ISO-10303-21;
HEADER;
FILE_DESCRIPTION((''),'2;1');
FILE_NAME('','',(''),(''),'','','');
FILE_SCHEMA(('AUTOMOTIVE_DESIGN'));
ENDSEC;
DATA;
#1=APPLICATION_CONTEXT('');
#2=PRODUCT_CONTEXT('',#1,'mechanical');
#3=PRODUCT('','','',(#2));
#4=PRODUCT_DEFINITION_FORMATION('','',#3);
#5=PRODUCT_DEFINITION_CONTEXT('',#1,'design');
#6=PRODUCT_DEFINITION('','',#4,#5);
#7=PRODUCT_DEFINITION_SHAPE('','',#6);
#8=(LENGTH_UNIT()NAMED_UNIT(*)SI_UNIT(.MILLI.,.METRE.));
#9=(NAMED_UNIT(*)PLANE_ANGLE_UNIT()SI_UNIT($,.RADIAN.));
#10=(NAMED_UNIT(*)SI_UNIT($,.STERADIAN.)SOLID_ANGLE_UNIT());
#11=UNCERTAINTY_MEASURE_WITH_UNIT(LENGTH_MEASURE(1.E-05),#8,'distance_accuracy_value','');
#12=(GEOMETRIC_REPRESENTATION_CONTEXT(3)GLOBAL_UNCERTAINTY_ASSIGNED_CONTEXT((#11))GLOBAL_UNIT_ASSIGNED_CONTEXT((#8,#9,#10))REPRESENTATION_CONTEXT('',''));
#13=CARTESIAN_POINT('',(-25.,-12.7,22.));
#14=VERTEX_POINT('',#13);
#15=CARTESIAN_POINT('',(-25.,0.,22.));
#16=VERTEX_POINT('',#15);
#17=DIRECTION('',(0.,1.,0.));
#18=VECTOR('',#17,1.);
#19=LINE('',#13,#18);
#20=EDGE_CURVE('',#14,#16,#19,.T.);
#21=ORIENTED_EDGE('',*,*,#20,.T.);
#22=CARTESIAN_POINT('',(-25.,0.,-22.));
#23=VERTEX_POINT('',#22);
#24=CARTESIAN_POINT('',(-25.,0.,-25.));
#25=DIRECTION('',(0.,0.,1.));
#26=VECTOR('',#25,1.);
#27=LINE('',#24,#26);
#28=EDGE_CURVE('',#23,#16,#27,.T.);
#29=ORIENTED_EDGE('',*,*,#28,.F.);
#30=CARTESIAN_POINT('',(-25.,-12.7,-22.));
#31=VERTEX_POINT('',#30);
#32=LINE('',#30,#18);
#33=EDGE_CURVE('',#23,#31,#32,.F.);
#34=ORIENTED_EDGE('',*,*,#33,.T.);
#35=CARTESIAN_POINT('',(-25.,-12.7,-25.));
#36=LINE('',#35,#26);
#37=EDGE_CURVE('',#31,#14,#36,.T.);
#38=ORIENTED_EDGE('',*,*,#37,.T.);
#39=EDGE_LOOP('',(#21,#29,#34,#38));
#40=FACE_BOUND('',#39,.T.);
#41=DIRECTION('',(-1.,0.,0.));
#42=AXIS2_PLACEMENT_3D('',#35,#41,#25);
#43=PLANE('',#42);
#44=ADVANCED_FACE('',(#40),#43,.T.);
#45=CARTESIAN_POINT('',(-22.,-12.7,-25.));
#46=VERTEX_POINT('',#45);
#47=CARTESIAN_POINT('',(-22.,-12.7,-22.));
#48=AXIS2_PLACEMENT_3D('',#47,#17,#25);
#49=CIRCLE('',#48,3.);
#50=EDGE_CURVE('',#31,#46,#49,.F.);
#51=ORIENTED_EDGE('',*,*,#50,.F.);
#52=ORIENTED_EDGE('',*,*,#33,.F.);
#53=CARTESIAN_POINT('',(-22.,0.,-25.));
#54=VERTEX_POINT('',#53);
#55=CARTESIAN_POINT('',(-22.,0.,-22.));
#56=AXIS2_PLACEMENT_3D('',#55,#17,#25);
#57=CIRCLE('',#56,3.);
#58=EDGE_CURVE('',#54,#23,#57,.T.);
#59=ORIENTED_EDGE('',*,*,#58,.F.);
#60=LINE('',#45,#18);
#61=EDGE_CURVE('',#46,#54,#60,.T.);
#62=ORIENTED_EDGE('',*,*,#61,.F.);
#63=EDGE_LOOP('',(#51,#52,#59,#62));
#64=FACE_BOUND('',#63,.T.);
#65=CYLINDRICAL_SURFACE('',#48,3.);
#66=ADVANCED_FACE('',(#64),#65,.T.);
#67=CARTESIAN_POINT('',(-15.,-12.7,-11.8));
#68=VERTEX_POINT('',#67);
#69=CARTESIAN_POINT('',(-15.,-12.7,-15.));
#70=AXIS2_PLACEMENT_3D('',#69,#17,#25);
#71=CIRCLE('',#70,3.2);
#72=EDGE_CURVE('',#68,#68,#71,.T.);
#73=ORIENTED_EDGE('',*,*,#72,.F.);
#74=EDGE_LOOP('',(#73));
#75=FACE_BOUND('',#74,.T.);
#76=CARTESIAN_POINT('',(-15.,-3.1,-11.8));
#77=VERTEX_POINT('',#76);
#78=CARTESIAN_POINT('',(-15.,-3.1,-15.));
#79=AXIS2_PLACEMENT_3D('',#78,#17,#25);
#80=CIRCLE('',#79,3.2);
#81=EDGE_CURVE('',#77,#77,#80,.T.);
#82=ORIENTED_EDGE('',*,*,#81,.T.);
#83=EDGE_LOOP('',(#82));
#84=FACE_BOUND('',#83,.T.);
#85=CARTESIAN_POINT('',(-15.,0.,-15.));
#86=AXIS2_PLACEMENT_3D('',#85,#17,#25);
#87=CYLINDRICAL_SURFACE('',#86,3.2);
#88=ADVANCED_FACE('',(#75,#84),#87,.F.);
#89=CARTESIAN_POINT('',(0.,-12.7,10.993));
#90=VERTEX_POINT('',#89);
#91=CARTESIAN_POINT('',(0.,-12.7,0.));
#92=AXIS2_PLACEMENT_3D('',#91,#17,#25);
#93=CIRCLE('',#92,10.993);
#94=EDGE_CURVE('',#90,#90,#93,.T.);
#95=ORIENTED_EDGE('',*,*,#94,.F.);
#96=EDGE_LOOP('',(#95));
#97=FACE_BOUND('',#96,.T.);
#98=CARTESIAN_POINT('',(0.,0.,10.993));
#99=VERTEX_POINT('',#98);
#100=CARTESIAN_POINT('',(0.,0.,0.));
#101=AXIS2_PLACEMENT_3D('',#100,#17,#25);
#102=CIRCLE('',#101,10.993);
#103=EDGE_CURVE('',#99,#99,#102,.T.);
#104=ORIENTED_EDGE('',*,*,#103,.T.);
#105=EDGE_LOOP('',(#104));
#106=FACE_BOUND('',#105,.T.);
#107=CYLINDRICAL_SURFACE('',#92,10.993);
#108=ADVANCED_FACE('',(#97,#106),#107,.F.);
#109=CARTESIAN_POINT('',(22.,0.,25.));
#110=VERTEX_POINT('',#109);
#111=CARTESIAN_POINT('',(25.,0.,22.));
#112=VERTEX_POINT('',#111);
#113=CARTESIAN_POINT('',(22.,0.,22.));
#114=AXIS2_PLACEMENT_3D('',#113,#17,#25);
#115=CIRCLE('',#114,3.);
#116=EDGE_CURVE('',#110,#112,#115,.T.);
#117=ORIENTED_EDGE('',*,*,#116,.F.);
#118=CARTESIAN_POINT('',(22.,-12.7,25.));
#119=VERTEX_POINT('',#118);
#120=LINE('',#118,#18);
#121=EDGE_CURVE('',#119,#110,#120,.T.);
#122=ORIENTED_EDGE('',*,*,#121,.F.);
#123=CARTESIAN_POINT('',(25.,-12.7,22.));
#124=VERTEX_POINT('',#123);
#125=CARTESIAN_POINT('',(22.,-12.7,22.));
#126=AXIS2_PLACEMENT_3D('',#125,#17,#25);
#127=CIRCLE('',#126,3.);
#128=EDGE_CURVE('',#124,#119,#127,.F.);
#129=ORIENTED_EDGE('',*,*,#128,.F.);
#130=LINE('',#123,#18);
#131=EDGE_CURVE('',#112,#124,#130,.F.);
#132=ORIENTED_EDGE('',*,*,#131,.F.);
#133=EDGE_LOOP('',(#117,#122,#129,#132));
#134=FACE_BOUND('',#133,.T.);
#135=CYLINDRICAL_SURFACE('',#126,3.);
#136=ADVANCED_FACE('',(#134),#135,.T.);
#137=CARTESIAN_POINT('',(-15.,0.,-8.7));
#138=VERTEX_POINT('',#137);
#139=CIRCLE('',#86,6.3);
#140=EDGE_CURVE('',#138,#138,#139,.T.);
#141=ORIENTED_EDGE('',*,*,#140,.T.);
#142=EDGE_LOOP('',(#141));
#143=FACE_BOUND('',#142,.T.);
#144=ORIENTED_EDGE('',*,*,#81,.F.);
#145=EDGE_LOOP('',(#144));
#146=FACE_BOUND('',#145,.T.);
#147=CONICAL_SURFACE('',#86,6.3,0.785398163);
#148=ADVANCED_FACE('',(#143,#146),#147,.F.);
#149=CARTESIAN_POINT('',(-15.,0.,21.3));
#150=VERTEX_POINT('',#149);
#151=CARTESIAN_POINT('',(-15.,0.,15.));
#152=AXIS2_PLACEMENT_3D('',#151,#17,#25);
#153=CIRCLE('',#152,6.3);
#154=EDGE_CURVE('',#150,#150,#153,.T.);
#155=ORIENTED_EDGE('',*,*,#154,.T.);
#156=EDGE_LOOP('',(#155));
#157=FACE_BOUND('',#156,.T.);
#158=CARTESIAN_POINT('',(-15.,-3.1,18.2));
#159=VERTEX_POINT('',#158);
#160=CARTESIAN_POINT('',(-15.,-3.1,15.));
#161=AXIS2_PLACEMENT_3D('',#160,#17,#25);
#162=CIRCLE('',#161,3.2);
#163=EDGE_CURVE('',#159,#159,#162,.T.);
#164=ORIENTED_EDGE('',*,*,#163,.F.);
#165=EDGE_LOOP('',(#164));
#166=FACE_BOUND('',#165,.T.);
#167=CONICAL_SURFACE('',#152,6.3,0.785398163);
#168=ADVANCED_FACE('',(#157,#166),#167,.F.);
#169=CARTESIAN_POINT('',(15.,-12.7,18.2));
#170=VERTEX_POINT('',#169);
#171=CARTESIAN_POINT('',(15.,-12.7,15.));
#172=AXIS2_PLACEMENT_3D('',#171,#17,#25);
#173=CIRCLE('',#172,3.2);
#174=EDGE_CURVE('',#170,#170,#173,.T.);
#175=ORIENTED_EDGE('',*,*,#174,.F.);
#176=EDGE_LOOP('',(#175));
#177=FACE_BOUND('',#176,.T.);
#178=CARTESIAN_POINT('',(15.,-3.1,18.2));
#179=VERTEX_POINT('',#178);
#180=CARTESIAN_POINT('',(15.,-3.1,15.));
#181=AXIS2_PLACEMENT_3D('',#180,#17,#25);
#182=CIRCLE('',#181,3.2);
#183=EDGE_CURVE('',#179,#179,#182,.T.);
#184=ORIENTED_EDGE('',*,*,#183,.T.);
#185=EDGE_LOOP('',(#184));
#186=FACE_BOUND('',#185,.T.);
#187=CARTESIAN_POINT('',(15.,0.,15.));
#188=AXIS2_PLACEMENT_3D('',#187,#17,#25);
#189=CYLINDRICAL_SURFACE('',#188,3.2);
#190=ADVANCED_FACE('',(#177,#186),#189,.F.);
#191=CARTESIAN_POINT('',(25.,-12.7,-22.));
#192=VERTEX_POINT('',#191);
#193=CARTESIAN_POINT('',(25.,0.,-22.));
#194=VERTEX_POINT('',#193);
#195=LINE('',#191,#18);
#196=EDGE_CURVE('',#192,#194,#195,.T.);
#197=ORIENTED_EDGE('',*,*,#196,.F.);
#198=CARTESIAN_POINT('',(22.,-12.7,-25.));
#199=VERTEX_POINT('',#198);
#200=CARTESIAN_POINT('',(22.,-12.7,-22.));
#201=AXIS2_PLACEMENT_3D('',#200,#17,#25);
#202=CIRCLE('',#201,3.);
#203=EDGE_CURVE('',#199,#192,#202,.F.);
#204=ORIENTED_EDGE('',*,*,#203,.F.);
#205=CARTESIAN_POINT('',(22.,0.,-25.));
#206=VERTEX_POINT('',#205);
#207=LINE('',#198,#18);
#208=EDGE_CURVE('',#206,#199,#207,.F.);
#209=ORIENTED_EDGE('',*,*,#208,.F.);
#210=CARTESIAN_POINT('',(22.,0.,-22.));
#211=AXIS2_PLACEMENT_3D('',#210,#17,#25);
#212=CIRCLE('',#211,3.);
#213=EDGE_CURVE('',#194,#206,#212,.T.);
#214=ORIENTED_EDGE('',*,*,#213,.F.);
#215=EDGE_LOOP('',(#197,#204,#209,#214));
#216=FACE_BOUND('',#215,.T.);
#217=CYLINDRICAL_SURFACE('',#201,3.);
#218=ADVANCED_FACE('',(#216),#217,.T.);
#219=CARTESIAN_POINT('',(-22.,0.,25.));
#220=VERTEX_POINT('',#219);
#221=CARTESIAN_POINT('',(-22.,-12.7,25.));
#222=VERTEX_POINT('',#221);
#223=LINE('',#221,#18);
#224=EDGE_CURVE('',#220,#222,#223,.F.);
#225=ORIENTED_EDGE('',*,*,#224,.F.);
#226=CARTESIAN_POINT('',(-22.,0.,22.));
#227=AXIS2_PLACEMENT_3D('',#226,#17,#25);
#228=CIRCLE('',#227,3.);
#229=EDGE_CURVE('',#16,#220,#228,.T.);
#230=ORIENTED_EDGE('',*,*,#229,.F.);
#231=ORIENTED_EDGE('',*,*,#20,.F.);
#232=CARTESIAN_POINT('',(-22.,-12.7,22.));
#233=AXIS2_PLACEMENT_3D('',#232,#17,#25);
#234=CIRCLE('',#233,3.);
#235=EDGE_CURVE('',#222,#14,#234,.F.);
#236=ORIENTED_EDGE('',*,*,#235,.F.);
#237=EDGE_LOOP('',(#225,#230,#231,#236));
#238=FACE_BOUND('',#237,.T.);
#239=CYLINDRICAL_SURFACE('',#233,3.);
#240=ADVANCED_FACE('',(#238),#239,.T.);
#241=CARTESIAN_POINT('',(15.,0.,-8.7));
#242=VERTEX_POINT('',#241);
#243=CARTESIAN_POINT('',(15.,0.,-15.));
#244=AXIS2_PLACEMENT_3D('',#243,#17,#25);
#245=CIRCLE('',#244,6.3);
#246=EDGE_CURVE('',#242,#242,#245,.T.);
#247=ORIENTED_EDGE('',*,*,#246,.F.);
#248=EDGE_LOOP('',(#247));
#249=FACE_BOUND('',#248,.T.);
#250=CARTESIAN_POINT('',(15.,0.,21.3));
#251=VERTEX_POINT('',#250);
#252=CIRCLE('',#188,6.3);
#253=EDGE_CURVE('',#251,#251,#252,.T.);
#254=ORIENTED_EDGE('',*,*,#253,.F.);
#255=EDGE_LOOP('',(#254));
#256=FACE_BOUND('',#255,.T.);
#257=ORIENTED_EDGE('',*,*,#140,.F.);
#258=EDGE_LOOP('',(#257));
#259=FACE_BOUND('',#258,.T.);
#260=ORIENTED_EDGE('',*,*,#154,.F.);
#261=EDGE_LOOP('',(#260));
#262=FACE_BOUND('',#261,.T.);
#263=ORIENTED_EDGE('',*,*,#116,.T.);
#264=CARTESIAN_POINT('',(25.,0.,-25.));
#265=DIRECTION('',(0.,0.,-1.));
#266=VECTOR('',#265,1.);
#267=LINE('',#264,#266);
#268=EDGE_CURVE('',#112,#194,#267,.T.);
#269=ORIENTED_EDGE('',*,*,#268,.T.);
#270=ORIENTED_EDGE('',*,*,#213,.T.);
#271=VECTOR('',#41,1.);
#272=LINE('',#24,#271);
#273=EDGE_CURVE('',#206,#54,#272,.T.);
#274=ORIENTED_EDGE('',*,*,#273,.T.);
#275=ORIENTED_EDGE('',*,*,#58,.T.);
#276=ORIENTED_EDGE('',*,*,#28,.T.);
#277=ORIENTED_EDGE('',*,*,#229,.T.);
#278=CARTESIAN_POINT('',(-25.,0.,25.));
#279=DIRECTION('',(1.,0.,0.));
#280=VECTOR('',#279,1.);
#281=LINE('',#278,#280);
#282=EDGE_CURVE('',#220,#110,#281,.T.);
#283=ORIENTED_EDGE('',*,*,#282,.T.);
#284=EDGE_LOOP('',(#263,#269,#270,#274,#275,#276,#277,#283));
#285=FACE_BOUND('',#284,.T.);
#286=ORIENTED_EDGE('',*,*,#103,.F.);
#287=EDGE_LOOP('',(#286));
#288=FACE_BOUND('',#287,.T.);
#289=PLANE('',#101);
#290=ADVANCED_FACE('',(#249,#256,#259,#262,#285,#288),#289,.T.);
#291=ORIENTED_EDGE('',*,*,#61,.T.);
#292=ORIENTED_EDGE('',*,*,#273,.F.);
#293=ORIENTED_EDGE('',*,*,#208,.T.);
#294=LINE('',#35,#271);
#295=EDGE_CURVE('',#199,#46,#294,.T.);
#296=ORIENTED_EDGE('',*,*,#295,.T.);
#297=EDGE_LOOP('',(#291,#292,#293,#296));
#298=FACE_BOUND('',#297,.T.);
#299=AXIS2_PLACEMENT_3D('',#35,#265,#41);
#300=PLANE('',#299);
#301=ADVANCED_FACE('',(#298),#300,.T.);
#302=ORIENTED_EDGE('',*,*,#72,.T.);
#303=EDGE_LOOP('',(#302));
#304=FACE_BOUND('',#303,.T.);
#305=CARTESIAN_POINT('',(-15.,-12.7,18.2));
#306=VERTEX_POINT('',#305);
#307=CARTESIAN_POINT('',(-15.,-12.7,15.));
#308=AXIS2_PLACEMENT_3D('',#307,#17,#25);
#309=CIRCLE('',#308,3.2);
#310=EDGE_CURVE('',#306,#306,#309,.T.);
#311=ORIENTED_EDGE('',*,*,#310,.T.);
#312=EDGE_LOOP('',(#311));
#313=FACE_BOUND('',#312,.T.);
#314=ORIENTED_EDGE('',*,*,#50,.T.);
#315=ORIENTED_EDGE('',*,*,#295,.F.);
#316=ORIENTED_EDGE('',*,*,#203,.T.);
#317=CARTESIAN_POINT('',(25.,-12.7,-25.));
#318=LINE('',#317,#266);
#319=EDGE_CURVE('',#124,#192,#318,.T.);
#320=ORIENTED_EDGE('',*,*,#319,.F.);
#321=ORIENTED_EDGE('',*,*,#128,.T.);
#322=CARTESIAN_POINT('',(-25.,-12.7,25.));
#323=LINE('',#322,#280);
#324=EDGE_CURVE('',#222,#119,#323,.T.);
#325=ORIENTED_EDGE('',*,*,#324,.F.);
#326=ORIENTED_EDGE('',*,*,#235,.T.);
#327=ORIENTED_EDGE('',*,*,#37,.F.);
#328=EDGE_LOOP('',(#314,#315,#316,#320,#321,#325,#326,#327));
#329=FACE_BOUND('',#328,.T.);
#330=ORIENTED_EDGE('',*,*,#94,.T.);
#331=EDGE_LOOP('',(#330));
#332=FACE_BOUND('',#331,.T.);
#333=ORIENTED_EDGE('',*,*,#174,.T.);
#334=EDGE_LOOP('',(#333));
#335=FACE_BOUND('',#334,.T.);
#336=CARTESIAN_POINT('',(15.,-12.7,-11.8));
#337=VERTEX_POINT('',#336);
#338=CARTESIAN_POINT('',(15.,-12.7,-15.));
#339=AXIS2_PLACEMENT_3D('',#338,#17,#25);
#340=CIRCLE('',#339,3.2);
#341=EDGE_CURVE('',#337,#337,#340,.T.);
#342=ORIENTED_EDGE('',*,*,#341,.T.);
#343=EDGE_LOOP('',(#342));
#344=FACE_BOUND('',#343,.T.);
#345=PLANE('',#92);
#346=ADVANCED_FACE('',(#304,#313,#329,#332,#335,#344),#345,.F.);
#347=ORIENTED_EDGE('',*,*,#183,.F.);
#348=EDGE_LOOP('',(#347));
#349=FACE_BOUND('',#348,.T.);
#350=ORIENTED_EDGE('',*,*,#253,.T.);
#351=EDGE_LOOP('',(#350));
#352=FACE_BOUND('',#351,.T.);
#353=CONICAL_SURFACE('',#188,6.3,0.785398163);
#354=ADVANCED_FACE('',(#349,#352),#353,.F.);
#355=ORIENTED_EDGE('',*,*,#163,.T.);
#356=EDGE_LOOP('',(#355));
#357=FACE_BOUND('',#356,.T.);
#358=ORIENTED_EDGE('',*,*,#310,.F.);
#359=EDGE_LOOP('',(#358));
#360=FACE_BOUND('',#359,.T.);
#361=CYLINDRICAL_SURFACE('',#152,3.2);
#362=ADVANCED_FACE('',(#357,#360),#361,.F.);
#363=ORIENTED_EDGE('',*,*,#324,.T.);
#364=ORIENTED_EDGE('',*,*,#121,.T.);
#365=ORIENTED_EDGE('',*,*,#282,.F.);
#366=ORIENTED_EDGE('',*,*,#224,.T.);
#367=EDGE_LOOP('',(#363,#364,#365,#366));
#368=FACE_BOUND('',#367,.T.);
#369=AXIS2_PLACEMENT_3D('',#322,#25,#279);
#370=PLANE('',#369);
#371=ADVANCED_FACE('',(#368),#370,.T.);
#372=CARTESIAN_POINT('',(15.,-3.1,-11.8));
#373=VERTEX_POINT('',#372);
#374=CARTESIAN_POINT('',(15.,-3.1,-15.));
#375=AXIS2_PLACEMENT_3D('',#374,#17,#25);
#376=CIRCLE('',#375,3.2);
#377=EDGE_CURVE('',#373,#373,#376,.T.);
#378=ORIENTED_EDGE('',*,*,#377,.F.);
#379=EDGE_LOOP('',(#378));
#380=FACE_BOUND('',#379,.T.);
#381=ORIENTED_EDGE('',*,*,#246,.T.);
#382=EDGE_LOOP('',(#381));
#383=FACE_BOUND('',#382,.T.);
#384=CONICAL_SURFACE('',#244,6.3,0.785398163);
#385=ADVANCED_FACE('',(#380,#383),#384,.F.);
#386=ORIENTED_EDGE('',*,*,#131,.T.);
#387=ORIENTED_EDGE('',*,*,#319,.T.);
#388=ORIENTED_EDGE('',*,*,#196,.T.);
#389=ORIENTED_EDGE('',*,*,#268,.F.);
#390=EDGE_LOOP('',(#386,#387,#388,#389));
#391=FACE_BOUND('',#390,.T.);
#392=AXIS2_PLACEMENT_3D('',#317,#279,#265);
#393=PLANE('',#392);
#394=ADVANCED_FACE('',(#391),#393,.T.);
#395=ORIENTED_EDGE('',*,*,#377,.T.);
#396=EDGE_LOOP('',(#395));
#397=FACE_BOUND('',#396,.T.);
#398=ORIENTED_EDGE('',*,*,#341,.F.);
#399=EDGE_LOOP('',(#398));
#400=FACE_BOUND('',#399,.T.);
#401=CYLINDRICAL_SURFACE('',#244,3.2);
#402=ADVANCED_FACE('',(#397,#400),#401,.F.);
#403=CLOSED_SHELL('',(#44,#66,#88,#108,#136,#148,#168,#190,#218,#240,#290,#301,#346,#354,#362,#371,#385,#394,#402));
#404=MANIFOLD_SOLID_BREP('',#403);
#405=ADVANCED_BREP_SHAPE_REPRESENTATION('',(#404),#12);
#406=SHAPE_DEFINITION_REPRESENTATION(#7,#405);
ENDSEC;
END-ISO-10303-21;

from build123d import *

# Parameters (mm, degrees)
SKETCH2_W                                       = 50
SKETCH2_H                                       = 50
SKETCH2_R                                       = 10.993
BOSS_EXTRUDE1_DEPTH                             = 12.7
CSK_FOR_M6_FLAT_HEAD_MACHINE_SCREW1_D           = 6.4
CSK_FOR_M6_FLAT_HEAD_MACHINE_SCREW1_CSINK_D     = 12.6
CSK_FOR_M6_FLAT_HEAD_MACHINE_SCREW1_CSINK_ANGLE = 90
FILLET1_R                                       = 3


with BuildPart() as part:
    # Sketch2 → Boss-Extrude1 (new body)
    with BuildSketch(Plane(origin=(0, 0, 0), x_dir=(1, 0, 0), z_dir=(0, 1, 0))):
        Rectangle(SKETCH2_W, SKETCH2_H)
        with Locations(Location((0, 0, 0), (0, 0, 270))):
            Circle(SKETCH2_R, mode=Mode.SUBTRACT)
    extrude(amount=-BOSS_EXTRUDE1_DEPTH)

    # CSK for M6 Flat Head Machine Screw1 (through all)
    with Locations(Plane(origin=(-15, 0, 15), x_dir=(0, 0, 1), z_dir=(0, 1, 0))):
        with Locations((0, 0), (0, 30), (-30, 0), (-30, 30)):
            CounterSinkHole(CSK_FOR_M6_FLAT_HEAD_MACHINE_SCREW1_D / 2, CSK_FOR_M6_FLAT_HEAD_MACHINE_SCREW1_CSINK_D / 2, counter_sink_angle=CSK_FOR_M6_FLAT_HEAD_MACHINE_SCREW1_CSINK_ANGLE)

    # Fillet1
    fillet1_edges = [part.edges().sort_by_distance(p)[0] for p in [
        (-25, -6.35, -25),
        (25, -6.35, -25),
        (25, -6.35, 25),
        (-25, -6.35, 25),
    ]]
    fillet(fillet1_edges, radius=FILLET1_R)


solid = part.part
